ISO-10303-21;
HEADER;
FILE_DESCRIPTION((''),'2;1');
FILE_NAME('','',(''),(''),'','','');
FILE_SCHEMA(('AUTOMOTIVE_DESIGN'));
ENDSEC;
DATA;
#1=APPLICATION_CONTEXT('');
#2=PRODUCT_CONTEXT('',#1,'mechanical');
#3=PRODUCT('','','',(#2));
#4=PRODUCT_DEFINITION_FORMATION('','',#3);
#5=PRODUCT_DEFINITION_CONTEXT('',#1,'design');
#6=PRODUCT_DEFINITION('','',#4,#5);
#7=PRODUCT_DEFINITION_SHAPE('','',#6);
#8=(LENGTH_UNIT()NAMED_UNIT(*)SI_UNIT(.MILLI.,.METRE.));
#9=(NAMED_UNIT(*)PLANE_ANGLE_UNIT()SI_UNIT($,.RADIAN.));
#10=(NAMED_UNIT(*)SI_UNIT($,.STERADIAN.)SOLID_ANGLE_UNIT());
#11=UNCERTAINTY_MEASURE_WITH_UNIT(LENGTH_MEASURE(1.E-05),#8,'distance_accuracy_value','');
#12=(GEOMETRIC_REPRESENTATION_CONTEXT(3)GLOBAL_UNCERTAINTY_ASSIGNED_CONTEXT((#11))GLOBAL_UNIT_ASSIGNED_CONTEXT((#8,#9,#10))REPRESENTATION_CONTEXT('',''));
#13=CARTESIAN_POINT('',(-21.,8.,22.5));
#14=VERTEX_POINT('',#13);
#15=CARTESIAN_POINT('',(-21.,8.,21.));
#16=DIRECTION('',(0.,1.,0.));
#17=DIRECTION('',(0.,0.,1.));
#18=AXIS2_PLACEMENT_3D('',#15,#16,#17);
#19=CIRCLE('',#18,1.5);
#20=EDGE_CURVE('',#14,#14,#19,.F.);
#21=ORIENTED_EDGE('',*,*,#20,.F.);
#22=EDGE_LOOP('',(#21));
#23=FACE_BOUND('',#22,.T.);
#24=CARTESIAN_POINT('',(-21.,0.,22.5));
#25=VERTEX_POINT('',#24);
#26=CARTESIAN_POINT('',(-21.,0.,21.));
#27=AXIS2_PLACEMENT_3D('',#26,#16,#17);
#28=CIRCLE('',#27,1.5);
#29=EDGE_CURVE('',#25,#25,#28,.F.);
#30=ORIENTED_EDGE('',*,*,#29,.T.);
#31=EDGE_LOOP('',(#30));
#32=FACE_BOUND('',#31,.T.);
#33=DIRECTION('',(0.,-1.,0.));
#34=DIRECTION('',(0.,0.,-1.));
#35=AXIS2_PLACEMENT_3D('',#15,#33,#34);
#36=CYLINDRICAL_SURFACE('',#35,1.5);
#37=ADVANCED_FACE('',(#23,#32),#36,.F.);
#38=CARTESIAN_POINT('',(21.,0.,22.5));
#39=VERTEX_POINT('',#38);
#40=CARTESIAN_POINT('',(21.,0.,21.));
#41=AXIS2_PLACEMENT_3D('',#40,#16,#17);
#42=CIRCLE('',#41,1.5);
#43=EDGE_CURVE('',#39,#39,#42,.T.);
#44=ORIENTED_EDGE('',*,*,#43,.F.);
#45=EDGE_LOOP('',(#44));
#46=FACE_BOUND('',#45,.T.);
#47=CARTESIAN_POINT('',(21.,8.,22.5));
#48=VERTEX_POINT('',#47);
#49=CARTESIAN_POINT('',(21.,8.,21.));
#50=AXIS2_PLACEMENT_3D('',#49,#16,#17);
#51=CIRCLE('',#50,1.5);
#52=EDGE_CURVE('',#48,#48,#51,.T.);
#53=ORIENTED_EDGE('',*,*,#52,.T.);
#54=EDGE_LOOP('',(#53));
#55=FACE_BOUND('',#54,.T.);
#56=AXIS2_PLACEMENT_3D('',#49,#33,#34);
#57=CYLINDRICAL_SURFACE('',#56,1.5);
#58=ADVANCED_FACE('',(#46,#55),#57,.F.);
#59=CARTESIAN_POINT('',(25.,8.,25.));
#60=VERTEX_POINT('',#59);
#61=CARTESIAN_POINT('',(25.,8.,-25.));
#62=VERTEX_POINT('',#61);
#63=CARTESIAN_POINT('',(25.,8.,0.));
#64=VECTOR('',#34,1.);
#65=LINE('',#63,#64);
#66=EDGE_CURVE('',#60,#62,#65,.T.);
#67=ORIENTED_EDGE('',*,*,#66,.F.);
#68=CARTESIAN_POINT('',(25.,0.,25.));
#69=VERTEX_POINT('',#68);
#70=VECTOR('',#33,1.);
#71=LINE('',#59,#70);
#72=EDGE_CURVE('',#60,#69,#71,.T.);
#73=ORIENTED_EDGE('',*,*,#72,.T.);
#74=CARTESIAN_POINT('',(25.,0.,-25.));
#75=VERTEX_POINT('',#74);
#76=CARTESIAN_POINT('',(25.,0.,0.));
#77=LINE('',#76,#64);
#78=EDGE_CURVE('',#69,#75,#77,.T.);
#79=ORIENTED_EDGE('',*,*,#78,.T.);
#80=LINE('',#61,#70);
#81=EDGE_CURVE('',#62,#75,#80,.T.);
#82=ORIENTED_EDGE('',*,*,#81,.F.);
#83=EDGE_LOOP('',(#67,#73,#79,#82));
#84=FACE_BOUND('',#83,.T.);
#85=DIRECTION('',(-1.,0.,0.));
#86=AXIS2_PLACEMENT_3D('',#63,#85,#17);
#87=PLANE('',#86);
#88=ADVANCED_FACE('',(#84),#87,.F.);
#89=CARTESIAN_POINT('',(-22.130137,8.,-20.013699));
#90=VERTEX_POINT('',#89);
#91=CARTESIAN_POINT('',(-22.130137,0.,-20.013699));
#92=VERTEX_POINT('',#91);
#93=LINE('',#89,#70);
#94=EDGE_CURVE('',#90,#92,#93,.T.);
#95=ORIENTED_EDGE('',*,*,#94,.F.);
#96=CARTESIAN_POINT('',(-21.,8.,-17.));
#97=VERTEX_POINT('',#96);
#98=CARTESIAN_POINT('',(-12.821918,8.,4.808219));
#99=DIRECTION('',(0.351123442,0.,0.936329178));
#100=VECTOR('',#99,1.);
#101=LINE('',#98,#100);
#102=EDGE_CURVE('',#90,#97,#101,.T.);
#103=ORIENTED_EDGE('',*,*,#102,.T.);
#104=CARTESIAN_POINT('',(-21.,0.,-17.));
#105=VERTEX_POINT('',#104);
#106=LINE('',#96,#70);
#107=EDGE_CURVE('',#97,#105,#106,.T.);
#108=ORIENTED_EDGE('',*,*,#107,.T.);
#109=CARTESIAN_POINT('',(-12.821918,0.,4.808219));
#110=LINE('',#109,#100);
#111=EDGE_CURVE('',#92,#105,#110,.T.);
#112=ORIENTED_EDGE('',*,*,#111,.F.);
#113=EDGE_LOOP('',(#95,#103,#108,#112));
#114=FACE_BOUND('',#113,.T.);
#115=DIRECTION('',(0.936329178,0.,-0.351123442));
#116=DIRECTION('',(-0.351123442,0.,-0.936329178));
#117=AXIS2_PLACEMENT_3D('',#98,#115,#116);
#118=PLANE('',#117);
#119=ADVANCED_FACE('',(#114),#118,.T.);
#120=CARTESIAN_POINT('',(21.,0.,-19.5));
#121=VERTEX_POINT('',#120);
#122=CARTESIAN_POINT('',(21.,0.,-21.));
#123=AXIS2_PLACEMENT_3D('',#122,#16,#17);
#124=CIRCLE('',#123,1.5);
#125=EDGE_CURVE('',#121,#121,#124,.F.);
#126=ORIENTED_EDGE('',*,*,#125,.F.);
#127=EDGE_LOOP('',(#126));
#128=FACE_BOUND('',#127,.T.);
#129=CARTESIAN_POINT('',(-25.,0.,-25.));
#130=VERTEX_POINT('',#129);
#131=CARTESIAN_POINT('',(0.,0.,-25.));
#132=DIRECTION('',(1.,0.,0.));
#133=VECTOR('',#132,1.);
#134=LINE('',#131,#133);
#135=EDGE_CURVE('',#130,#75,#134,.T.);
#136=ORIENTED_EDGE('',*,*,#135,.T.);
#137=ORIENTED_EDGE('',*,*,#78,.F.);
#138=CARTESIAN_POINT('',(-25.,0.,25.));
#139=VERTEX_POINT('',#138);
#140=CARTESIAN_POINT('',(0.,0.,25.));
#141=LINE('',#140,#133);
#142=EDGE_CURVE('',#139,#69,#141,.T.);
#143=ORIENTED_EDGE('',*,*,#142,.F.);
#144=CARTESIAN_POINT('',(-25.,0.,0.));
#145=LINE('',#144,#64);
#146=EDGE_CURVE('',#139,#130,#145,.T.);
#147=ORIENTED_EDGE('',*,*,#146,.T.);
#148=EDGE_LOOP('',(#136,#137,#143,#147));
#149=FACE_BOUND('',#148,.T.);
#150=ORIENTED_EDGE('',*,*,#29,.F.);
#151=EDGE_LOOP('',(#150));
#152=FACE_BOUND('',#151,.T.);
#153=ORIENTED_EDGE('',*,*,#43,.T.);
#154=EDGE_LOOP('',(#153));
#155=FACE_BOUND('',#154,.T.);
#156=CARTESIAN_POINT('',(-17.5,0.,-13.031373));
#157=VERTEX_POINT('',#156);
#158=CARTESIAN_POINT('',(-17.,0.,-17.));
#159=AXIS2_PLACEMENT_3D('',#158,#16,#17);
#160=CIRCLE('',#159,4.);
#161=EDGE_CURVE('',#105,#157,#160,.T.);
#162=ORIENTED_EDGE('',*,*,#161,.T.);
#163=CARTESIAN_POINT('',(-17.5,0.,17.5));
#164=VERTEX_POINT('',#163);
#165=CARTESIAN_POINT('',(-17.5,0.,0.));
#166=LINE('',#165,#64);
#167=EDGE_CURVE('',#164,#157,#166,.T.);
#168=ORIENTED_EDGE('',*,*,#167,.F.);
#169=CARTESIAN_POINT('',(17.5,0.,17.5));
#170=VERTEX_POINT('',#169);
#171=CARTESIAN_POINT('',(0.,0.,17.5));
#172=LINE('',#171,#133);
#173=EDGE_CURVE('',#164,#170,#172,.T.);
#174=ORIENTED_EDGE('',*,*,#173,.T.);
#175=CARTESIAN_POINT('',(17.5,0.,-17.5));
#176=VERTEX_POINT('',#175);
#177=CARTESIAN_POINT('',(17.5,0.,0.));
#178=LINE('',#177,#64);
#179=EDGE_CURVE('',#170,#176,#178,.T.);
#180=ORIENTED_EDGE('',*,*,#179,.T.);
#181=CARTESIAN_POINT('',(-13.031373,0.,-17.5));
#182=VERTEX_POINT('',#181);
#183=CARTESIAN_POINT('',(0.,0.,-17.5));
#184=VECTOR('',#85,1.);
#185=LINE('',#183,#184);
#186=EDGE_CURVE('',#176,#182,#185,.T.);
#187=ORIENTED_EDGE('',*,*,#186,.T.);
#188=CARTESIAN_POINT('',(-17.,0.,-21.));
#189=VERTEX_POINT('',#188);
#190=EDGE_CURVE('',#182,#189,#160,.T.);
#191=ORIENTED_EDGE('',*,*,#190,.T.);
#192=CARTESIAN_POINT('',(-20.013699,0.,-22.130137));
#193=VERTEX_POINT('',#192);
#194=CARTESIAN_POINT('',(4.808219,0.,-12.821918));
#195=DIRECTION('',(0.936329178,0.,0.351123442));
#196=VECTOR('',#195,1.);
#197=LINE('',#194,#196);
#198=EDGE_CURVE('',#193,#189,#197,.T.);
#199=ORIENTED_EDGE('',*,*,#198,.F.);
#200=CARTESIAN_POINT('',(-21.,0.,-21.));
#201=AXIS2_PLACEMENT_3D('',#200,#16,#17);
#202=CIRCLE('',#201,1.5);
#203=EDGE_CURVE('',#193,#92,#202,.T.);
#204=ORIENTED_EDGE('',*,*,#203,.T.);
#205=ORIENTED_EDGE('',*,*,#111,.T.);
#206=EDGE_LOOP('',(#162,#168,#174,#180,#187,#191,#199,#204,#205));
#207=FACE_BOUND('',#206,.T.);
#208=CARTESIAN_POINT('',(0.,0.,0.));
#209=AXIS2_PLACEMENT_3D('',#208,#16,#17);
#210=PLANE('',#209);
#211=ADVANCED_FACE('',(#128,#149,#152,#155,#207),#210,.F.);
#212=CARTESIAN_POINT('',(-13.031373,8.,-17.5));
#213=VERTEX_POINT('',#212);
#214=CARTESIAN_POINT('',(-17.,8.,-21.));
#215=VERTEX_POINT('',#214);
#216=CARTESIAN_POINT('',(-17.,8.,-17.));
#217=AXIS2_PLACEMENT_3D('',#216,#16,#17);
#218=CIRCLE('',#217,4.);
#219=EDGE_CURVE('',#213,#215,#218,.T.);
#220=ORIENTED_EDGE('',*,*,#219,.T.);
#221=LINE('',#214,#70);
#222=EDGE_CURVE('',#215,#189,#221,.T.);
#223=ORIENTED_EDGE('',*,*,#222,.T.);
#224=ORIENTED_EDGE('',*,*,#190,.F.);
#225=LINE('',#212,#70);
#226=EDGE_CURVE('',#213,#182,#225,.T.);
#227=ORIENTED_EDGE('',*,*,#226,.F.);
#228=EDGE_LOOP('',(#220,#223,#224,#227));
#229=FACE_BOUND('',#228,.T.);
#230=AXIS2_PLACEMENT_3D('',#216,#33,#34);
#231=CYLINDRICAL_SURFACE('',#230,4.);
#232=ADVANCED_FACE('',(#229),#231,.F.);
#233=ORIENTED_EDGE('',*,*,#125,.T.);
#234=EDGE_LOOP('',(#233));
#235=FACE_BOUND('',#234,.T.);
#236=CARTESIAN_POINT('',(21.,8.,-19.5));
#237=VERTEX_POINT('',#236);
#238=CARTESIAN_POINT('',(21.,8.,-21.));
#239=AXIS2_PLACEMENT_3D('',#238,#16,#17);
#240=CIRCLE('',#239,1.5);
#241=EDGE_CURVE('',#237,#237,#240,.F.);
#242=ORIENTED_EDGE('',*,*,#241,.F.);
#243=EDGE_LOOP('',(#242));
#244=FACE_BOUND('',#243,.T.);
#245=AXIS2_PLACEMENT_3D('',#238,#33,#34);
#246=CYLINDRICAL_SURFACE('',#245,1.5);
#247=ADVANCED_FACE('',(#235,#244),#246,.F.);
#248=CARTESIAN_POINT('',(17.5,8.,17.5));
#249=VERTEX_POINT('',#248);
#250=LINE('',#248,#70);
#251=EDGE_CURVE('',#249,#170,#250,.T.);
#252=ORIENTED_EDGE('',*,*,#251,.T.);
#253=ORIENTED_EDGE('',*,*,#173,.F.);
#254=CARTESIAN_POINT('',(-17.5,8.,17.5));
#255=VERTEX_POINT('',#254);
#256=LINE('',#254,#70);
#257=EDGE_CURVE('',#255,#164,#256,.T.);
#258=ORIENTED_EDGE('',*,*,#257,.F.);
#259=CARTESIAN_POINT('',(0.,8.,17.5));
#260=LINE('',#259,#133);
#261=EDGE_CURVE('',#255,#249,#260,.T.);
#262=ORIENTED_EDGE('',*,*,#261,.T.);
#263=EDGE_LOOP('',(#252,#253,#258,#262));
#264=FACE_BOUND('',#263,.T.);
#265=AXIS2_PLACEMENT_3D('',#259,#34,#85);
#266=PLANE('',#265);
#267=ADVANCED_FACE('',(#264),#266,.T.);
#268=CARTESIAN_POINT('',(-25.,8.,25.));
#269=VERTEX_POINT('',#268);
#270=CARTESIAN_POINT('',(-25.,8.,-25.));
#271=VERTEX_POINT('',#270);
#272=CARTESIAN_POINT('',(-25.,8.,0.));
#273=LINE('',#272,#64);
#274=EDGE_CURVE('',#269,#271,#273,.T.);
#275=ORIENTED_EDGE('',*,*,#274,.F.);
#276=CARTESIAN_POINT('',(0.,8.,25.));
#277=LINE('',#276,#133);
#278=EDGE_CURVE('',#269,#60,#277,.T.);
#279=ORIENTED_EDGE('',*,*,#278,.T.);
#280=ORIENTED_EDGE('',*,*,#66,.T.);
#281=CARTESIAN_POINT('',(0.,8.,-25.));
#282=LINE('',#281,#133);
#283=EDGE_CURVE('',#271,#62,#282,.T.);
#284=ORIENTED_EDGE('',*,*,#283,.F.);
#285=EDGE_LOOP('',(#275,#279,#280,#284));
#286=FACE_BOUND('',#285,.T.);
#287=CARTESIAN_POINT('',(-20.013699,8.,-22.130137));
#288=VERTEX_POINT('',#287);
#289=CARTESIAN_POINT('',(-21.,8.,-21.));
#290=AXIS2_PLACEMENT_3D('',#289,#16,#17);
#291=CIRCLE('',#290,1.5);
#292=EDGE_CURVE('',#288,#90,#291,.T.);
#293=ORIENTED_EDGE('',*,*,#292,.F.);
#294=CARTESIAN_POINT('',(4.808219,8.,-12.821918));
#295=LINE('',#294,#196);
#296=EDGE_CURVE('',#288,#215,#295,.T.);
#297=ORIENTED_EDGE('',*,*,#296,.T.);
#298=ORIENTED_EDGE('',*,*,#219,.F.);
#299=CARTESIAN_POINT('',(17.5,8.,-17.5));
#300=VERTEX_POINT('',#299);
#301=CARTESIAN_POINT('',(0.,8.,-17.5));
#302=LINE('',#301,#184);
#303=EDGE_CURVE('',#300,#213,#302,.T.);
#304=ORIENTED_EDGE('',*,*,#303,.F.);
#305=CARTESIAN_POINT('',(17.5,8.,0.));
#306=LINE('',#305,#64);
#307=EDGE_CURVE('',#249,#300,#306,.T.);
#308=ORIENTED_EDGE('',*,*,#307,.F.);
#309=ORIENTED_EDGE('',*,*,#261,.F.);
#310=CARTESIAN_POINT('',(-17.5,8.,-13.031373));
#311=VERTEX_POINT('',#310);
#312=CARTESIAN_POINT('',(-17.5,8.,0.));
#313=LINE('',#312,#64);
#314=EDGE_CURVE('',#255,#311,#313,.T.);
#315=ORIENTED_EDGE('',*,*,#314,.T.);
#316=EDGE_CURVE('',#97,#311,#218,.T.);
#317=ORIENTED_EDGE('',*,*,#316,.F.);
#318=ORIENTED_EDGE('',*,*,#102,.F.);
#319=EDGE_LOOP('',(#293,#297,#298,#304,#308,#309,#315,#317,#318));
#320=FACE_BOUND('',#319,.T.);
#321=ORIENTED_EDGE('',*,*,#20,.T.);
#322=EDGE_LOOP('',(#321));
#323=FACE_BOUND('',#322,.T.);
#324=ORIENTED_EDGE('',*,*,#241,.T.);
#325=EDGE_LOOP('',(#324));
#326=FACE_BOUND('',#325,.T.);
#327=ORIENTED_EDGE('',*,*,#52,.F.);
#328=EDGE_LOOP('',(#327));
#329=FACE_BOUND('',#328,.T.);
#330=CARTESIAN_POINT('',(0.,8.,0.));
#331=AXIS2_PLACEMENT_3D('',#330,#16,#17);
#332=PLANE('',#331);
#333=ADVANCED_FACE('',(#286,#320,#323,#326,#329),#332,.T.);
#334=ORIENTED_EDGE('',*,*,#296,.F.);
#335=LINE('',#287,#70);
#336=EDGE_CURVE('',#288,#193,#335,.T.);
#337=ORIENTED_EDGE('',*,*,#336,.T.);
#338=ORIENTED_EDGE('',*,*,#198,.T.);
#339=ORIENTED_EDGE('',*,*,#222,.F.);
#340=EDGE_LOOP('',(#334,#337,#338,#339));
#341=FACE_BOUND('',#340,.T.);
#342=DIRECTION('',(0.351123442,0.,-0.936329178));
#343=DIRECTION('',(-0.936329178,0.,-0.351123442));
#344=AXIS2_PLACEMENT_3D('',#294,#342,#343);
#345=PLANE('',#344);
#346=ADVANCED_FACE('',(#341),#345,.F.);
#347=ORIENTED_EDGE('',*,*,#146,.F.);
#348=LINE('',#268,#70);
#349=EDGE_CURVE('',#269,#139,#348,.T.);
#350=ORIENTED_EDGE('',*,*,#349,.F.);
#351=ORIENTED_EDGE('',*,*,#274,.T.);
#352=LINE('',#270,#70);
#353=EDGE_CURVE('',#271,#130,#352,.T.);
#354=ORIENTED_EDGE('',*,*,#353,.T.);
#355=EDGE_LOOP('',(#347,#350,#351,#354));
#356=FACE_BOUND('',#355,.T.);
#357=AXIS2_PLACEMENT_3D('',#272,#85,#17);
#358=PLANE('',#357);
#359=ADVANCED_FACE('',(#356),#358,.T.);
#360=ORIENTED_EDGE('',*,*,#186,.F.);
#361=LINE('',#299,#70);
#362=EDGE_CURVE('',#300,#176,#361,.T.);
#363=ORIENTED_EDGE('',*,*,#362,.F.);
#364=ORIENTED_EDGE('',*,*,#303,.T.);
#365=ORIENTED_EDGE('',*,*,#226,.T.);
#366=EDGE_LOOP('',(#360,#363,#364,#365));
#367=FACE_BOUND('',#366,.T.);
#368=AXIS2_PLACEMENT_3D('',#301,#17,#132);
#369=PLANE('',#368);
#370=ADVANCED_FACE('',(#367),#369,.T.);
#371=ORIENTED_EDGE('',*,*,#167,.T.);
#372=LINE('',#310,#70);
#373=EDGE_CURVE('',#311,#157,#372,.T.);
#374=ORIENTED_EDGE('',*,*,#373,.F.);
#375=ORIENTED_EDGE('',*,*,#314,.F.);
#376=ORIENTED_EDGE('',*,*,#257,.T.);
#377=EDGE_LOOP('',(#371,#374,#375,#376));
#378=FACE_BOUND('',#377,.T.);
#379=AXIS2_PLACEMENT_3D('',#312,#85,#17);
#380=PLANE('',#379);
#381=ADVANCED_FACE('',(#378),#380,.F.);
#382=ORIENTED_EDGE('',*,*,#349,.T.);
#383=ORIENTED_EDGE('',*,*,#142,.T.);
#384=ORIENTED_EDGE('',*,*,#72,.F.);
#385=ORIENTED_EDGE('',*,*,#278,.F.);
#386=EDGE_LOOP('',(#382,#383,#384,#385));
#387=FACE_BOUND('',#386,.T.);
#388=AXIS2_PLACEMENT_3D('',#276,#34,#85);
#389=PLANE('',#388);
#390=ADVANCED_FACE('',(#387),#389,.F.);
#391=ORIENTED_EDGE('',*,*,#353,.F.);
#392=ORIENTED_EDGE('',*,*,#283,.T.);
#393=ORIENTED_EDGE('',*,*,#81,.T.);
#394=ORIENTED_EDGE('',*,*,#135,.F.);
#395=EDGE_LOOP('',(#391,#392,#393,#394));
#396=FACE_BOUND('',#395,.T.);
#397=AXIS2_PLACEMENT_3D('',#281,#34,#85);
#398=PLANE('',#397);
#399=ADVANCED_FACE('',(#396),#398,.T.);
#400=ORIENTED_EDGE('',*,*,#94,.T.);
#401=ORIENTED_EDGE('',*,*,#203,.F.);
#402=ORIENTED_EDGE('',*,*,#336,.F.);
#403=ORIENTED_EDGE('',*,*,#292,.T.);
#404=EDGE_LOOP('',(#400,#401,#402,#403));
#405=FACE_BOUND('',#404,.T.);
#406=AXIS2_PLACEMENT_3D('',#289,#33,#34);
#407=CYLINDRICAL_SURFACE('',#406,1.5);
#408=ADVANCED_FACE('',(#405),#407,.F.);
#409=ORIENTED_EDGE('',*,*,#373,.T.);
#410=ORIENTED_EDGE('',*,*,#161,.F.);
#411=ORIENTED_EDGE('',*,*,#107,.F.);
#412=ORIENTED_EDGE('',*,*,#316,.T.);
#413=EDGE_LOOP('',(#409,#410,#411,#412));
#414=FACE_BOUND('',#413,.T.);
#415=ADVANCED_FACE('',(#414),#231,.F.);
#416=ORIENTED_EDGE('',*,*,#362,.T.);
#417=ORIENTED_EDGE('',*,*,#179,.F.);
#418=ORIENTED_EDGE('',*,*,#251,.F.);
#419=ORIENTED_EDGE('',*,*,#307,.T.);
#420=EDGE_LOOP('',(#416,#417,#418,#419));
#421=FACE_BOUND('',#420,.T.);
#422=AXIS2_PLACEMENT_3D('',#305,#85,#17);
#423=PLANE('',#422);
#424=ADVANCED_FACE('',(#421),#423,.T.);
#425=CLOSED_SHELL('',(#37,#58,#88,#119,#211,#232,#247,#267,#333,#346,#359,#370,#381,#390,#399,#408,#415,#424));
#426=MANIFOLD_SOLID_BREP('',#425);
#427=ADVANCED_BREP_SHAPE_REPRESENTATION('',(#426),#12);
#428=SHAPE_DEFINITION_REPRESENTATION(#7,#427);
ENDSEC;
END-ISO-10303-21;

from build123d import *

# Parameters (mm, degrees)
SKETCH1_W     = 50
SKETCH1_H     = 50
SKETCH1_R     = 1.5
SUPPORT_DEPTH = 8


with BuildPart() as part:
    # Sketch1 → Support (new body)
    with BuildSketch(Plane(origin=(0, 0, 0), x_dir=(1, 0, 0), z_dir=(0, 1, 0))):
        Rectangle(SKETCH1_W, SKETCH1_H)
        with Locations(Location((-21, -21, 0), (0, 0, 270))):
            Circle(SKETCH1_R, mode=Mode.SUBTRACT)
        with Locations(Location((21, -21, 0), (0, 0, 270))):
            Circle(SKETCH1_R, mode=Mode.SUBTRACT)
        with BuildLine():
            Line((-13.031373033, 17.5), (17.5, 17.5))
            Line((17.5, 17.5), (17.5, -17.5))
            Line((17.5, -17.5), (-17.5, -17.5))
            Line((-17.5, -17.5), (-17.5, 13.031373033))
            ThreePointArc((-17.5, 13.031373033), (-20, 14.354248689), (-21, 17))
            Line((-21, 17), (-22.130136986, 20.01369863))
            ThreePointArc((-22.130136986, 20.01369863), (-22.060660172, 22.060660172), (-20.01369863, 22.130136986))
            Line((-20.01369863, 22.130136986), (-17, 21))
            ThreePointArc((-17, 21), (-14.354248689, 20), (-13.031373033, 17.5))
        make_face(mode=Mode.SUBTRACT)
        with Locations(Location((21, 21, 0), (0, 0, 270))):
            Circle(SKETCH1_R, mode=Mode.SUBTRACT)
    extrude(amount=SUPPORT_DEPTH)


solid = part.part
